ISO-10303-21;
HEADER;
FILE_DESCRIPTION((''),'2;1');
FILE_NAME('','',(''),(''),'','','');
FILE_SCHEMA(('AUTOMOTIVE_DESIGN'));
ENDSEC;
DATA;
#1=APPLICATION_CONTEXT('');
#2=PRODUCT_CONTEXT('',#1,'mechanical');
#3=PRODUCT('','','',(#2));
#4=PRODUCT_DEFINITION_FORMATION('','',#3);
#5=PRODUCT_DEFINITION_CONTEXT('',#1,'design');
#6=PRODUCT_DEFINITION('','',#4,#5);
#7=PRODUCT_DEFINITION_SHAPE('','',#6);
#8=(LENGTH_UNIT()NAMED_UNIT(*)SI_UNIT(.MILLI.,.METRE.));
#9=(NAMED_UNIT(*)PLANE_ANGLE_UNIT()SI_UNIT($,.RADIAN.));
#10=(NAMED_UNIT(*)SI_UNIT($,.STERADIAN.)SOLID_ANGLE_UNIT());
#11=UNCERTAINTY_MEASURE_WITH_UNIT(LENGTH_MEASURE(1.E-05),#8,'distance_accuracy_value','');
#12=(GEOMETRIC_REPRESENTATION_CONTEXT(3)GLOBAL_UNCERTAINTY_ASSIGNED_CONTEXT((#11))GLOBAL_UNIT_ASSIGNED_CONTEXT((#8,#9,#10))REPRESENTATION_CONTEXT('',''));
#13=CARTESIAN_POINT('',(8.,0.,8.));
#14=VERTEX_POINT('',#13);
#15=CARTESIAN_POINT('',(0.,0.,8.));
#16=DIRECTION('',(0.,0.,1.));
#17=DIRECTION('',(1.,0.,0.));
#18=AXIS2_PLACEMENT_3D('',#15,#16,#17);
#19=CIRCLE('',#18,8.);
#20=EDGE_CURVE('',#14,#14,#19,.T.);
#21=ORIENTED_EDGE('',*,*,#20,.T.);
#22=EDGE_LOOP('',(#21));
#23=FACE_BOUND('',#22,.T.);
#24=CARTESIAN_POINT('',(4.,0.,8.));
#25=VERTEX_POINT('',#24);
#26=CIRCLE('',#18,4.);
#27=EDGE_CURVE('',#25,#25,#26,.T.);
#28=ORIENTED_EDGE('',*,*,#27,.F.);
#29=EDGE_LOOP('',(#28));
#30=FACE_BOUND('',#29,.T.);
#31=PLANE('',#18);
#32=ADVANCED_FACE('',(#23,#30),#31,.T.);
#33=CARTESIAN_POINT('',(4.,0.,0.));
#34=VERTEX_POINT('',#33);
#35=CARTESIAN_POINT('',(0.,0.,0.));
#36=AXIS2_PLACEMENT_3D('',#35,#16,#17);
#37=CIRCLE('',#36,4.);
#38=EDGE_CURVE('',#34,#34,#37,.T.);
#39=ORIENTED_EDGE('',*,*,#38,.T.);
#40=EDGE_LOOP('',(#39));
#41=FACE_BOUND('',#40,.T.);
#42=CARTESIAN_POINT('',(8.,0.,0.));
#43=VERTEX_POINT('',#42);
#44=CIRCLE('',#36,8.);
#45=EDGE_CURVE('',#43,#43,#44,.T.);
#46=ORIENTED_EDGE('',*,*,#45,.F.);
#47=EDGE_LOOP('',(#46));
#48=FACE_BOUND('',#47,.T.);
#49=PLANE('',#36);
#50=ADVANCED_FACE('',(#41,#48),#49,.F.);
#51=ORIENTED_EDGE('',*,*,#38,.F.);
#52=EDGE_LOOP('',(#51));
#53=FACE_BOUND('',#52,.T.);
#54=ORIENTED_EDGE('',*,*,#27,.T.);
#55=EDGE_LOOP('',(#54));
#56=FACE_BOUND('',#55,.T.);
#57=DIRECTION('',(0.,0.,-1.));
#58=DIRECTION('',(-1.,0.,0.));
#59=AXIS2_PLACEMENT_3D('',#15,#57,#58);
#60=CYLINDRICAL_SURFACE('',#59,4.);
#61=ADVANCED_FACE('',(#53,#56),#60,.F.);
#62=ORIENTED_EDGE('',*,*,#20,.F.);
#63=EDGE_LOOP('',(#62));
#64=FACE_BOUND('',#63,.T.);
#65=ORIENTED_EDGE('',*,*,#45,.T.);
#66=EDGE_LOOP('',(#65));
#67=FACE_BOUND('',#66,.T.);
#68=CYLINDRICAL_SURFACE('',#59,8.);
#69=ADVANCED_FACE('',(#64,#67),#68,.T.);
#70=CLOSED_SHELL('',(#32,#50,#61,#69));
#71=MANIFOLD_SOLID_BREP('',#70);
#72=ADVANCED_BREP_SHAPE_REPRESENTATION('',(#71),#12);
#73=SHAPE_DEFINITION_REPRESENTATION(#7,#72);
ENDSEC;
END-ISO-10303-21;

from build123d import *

# Parameters (mm, degrees)
SKETCH1_R             = 8
SKETCH1_R_2           = 4
WASHER_ENVELOPE_DEPTH = 8


with BuildPart() as part:
    # Sketch1 → Washer_Envelope (new body)
    with BuildSketch(Plane.XY):
        Circle(SKETCH1_R)
        Circle(SKETCH1_R_2, mode=Mode.SUBTRACT)
    extrude(amount=WASHER_ENVELOPE_DEPTH)


solid = part.part
